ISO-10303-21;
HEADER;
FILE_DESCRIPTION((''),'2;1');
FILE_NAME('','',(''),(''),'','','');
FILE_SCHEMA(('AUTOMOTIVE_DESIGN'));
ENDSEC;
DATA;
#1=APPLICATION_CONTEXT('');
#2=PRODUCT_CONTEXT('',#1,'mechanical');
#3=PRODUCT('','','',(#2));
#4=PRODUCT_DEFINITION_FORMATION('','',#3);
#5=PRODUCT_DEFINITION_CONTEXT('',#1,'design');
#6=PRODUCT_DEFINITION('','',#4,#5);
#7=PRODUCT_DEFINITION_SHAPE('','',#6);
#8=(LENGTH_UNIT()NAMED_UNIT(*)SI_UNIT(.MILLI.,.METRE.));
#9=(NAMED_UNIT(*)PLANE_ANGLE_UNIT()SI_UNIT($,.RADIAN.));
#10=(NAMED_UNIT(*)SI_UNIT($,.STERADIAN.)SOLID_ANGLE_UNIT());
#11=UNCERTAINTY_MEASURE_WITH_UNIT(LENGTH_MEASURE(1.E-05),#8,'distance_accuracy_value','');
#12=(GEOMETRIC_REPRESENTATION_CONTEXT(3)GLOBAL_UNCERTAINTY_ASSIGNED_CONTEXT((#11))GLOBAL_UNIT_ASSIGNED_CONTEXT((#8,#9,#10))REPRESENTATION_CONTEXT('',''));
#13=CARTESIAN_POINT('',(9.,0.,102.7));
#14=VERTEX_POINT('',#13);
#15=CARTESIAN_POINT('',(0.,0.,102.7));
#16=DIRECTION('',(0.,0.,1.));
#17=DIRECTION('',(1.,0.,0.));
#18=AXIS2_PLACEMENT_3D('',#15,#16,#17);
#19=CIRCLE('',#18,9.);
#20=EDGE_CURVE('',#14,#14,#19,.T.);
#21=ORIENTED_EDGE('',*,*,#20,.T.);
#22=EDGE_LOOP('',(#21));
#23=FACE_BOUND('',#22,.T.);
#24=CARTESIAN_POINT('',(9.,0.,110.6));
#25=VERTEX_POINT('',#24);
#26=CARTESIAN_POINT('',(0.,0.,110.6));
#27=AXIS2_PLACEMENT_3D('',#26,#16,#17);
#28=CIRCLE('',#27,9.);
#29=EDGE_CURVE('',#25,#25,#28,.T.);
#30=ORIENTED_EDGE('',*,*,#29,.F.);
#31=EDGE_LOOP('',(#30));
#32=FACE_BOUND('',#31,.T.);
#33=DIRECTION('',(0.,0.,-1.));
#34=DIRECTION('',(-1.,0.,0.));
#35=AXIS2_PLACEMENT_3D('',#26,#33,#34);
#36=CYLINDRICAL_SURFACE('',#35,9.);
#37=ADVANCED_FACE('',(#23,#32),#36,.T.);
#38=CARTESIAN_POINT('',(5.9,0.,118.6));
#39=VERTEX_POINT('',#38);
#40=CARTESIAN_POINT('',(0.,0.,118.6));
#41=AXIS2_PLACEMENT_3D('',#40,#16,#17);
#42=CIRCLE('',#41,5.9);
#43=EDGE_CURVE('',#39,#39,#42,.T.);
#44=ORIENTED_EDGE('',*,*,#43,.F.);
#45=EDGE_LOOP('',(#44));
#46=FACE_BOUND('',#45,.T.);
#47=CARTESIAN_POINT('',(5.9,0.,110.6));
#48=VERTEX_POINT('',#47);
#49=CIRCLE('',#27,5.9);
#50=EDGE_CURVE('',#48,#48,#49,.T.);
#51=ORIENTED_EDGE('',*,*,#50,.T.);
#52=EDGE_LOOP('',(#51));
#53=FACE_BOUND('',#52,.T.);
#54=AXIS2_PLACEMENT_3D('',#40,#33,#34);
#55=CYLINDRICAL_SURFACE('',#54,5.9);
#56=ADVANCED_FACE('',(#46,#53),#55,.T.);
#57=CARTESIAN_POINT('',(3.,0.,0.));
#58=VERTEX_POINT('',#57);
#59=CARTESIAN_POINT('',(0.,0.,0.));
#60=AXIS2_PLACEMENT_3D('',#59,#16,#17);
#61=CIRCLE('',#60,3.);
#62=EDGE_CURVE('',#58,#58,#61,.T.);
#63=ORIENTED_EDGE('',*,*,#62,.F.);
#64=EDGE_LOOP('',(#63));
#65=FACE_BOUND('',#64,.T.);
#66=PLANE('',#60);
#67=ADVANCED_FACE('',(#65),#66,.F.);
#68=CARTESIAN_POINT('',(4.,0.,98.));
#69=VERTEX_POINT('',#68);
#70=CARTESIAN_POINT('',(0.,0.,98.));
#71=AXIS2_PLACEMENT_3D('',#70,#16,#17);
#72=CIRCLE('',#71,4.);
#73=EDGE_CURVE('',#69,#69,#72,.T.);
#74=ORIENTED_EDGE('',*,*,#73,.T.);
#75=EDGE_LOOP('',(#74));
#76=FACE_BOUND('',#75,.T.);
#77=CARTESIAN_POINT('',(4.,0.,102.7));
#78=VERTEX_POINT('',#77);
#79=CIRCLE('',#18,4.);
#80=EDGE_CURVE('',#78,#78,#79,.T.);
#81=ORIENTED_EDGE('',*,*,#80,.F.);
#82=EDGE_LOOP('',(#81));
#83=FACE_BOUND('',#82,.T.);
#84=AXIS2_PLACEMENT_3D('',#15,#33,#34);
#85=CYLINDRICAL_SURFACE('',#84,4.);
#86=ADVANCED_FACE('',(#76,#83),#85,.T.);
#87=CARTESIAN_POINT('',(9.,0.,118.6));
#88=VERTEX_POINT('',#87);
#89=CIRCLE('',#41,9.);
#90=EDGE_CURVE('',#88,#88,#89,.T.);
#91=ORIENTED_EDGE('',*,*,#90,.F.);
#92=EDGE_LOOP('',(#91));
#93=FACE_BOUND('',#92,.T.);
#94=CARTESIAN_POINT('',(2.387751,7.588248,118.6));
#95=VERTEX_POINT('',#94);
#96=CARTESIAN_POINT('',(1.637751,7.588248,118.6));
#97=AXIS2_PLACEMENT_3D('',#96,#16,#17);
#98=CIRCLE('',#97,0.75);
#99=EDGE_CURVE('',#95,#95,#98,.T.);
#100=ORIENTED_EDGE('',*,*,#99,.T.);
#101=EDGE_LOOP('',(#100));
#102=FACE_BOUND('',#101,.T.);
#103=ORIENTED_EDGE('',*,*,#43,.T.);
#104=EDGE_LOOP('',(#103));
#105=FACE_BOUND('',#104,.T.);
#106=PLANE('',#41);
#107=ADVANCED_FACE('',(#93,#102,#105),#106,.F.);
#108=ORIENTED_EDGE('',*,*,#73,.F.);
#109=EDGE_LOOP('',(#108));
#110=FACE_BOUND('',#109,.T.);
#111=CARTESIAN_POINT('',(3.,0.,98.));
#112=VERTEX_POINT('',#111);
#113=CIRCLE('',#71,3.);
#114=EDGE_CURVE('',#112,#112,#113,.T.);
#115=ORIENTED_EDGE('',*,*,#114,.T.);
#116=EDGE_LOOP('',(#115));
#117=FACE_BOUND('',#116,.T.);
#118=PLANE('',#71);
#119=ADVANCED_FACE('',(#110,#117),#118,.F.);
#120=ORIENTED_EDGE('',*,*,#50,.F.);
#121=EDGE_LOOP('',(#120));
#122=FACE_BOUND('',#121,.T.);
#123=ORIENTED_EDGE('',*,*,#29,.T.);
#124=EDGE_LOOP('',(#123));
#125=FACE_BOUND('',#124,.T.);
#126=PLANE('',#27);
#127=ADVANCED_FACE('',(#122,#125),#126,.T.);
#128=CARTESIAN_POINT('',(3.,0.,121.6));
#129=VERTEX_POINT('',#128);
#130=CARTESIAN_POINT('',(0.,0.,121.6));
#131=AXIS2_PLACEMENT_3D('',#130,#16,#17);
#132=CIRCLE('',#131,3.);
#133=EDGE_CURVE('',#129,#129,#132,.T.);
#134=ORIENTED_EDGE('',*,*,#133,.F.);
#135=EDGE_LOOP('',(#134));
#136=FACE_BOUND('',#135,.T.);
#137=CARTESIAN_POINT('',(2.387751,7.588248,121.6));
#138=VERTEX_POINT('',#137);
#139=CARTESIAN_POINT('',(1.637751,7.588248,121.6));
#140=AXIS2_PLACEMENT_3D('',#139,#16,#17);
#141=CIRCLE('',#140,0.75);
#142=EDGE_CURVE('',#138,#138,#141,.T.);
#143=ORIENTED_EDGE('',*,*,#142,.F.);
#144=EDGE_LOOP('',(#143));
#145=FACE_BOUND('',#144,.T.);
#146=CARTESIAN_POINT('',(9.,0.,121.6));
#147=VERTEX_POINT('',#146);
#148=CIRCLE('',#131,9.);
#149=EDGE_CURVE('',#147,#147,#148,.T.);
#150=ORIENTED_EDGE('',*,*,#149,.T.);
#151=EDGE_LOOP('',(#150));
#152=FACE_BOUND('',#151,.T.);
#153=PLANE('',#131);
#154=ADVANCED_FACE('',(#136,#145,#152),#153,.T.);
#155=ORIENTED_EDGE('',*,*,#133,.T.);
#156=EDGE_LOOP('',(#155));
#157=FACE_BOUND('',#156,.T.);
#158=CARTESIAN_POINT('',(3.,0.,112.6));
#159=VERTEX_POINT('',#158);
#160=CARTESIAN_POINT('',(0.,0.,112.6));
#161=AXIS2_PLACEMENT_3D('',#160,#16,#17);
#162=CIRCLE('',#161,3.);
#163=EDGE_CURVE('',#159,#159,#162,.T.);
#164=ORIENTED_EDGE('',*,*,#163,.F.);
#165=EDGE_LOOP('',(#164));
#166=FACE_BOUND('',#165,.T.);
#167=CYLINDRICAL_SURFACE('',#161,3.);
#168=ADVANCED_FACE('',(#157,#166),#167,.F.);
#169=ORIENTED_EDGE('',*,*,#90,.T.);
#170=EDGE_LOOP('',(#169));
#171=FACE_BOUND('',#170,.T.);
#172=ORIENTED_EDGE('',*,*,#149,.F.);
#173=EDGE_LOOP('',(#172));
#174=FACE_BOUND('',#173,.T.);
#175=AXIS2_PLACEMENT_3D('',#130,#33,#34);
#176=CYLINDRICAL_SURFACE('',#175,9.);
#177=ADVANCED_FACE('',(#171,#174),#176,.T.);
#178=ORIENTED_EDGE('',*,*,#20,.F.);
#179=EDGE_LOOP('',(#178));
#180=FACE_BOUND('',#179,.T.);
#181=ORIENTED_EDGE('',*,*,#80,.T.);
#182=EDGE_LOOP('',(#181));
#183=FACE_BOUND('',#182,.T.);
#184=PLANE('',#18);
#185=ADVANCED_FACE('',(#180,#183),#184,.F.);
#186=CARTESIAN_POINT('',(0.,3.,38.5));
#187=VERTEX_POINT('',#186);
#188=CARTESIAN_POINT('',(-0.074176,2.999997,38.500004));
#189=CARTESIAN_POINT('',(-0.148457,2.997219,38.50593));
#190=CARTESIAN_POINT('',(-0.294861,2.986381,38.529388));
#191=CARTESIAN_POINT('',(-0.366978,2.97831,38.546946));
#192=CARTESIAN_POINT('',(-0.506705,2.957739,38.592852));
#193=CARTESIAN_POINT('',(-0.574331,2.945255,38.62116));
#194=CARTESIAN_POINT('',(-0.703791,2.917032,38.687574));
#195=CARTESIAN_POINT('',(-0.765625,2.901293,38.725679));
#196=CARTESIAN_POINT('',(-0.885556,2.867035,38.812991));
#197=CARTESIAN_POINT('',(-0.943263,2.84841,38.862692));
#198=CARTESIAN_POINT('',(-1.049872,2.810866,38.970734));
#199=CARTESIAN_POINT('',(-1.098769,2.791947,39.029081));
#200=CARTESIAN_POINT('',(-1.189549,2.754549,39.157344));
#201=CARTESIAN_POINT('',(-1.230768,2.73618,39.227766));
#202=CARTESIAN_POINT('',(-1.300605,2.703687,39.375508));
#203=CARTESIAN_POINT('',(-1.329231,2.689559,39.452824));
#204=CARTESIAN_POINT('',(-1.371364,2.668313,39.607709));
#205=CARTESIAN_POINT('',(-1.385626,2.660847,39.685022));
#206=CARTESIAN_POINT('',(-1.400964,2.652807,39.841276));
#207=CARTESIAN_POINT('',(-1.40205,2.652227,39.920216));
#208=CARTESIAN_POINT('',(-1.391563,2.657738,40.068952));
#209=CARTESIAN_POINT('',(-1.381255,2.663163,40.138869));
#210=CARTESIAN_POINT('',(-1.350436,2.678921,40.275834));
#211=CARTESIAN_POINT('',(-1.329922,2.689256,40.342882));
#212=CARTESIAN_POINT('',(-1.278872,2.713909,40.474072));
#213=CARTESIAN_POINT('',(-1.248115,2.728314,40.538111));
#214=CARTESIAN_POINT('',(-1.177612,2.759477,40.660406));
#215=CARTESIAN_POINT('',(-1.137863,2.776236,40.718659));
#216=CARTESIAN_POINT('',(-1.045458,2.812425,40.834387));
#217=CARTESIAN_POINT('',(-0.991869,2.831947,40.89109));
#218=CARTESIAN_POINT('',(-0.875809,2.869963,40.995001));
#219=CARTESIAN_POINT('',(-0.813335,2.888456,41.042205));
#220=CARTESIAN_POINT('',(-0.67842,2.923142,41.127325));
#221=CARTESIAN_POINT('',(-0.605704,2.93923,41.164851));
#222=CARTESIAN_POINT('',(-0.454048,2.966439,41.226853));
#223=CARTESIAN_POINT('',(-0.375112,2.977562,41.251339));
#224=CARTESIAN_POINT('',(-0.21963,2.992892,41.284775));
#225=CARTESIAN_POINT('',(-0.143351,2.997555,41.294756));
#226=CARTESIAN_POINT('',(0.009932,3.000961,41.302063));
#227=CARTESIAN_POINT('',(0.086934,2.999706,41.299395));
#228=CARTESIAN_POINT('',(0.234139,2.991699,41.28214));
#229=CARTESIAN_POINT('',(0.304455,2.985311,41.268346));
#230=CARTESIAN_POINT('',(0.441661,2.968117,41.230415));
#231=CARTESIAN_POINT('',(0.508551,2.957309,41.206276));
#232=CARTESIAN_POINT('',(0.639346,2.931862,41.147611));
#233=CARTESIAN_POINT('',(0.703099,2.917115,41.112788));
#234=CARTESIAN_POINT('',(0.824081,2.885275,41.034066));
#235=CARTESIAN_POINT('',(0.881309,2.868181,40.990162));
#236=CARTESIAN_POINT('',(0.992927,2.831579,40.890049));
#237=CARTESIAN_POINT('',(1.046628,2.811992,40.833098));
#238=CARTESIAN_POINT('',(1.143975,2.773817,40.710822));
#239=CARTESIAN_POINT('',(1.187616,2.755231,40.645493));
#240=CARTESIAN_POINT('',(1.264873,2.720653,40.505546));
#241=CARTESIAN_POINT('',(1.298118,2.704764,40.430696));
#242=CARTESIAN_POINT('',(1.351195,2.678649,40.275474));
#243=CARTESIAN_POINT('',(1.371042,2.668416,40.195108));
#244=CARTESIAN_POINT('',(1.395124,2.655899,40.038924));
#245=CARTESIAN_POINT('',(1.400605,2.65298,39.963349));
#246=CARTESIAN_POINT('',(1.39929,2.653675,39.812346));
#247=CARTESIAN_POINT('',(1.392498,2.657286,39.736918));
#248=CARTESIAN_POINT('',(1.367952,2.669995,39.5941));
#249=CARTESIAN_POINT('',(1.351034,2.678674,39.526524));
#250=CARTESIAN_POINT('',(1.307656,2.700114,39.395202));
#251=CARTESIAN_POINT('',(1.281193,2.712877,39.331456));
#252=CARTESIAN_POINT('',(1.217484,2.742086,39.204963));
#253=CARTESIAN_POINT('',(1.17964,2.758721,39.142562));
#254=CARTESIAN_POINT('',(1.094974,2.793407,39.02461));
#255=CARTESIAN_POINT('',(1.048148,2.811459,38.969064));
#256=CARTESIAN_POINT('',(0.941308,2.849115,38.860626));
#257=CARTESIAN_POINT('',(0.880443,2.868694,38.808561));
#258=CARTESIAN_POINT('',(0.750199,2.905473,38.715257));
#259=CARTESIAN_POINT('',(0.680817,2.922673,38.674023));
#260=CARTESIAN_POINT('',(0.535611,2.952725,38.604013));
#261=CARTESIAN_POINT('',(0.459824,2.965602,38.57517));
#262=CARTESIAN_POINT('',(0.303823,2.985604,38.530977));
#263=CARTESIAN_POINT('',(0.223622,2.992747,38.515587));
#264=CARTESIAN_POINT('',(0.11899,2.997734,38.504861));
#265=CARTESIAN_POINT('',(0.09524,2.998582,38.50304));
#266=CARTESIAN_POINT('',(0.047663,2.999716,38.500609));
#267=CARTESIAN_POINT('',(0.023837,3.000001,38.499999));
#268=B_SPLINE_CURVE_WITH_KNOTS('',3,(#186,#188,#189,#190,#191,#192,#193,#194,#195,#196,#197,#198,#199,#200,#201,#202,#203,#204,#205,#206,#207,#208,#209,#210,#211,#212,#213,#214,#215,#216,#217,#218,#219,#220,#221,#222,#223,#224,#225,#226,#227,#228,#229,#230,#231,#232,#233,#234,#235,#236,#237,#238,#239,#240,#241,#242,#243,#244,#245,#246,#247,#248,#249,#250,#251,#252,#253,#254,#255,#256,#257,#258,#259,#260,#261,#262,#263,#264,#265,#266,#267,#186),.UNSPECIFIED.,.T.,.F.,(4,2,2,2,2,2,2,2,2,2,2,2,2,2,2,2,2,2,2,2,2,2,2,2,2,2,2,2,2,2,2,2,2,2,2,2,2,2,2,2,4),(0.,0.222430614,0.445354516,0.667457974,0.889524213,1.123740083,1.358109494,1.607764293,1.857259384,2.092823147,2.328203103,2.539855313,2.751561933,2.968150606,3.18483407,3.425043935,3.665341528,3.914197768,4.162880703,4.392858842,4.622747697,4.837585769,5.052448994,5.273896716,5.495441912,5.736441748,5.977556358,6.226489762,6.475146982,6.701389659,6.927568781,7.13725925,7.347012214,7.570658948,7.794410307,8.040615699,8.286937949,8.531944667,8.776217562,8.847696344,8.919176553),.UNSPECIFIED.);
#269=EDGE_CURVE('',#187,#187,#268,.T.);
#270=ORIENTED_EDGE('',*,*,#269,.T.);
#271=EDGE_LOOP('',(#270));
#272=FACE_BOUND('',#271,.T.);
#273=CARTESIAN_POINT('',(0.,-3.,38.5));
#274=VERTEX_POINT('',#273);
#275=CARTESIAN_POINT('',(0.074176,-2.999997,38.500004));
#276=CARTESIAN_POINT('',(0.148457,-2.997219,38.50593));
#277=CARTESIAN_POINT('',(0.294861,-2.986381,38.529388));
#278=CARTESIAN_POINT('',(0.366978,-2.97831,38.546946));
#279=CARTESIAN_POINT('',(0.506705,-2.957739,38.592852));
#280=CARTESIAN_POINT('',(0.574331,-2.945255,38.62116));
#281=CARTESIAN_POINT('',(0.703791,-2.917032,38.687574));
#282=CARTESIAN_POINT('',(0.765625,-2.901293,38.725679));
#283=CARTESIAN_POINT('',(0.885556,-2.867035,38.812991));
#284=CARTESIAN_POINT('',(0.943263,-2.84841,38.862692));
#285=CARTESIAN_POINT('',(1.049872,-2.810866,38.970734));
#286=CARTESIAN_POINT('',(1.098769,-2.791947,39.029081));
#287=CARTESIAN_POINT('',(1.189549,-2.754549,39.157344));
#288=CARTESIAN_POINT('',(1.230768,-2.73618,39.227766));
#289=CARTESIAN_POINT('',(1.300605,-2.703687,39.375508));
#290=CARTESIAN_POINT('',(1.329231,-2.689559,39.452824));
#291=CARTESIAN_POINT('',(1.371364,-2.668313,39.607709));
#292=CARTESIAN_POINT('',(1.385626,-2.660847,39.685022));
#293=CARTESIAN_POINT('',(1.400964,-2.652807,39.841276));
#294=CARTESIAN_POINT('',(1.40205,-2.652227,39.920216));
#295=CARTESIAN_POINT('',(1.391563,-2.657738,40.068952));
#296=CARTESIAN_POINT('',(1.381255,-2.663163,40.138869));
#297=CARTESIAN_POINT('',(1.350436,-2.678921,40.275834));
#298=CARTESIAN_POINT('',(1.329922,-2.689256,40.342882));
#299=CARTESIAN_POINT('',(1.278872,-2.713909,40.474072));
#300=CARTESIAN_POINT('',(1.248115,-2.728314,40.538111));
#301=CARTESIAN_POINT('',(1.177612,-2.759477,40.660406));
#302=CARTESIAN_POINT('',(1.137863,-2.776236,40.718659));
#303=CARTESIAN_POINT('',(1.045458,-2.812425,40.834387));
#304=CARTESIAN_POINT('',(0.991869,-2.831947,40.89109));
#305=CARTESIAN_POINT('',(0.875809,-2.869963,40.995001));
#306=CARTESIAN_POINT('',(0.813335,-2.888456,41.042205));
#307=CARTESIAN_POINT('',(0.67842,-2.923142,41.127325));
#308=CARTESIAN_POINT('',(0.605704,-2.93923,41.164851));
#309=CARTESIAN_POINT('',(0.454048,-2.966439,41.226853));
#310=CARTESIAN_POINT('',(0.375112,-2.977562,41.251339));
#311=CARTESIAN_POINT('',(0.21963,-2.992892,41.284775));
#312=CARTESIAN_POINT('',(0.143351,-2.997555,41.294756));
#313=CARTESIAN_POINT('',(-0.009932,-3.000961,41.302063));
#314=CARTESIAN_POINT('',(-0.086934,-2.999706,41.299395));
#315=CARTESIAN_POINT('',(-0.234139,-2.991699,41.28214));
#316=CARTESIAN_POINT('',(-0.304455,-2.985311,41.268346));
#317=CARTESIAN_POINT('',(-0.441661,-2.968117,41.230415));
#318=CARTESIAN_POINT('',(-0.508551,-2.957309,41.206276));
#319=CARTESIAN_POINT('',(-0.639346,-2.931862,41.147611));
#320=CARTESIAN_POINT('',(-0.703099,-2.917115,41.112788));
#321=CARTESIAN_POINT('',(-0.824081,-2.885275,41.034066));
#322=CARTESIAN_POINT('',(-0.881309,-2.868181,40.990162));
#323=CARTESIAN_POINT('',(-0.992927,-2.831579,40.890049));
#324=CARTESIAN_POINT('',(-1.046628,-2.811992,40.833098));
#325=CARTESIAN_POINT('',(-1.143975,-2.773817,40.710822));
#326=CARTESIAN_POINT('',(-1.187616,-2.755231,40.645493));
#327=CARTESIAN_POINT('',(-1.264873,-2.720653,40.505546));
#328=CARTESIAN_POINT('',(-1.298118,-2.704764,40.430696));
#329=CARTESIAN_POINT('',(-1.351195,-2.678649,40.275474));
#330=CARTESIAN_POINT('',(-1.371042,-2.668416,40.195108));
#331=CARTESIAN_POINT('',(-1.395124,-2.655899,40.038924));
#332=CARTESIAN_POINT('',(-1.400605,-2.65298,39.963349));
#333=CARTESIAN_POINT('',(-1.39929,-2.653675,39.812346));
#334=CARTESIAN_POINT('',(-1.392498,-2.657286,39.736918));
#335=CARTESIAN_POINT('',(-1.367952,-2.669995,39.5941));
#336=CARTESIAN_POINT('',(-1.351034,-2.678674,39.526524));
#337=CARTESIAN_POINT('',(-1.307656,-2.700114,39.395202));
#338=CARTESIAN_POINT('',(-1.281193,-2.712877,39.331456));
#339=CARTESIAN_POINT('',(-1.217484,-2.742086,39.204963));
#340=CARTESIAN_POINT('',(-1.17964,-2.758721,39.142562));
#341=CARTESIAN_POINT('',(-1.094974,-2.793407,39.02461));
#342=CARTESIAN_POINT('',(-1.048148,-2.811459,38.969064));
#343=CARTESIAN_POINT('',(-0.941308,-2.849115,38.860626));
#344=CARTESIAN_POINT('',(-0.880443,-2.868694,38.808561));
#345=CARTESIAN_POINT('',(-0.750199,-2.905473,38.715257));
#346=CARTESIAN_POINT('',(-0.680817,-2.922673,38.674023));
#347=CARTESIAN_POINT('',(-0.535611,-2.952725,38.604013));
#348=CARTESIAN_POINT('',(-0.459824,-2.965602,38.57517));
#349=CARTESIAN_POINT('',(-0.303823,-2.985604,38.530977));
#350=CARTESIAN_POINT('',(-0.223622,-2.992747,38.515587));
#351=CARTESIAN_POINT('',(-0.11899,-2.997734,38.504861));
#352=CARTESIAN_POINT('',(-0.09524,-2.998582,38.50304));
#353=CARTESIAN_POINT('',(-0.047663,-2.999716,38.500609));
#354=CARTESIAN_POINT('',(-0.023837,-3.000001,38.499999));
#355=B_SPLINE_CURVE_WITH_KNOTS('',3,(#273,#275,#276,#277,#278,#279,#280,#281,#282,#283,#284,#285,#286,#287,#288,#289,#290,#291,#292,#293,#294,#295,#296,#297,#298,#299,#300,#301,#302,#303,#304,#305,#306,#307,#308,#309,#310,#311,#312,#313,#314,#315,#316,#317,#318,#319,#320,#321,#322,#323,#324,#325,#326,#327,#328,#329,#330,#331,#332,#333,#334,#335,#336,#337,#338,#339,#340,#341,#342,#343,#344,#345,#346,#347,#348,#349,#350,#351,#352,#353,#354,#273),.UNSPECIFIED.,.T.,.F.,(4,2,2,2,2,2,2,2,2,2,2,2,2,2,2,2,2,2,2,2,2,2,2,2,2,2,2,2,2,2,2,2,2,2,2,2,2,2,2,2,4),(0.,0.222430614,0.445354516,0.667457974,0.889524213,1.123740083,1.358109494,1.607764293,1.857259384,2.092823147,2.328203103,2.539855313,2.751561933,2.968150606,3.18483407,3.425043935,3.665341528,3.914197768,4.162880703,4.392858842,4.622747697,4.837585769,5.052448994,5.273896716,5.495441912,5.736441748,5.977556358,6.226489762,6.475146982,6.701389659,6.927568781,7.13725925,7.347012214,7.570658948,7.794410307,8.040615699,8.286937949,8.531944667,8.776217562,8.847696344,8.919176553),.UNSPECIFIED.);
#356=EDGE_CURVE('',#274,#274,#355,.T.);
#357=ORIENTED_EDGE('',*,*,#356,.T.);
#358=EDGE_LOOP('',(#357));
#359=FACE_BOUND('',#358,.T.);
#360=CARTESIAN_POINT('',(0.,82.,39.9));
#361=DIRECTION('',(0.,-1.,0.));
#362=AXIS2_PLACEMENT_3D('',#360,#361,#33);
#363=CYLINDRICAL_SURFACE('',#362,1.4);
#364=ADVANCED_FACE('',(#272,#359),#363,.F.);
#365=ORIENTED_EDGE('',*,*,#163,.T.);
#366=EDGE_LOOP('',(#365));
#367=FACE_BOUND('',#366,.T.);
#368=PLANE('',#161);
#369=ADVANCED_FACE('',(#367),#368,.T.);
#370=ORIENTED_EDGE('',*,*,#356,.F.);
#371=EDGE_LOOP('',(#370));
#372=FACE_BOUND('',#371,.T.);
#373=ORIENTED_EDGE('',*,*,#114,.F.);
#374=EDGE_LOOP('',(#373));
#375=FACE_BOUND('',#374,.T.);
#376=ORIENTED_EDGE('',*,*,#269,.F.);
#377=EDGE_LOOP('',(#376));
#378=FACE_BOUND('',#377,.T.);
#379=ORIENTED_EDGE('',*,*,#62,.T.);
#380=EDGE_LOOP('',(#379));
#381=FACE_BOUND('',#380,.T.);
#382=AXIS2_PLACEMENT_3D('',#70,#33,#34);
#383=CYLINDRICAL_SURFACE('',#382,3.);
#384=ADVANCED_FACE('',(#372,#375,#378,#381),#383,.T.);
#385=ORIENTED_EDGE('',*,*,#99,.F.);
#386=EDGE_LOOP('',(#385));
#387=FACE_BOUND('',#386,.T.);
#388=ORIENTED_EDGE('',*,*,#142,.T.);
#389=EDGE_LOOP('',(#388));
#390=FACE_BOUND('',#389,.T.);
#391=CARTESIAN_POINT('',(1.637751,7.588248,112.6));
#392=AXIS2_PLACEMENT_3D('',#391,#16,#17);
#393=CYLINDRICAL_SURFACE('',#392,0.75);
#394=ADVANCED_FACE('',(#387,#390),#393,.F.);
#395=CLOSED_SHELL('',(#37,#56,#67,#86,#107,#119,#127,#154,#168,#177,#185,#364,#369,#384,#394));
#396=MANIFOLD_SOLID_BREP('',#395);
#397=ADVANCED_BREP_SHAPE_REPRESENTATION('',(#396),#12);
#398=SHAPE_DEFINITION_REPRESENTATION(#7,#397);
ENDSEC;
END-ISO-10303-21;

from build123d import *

# Parameters (mm, degrees)
SKETCH1_R               = 3
BOSS_EXTRUDE1_DEPTH     = 98
SKETCH2_R               = 4
BOSS_EXTRUDE2_DEPTH     = 4.7
SKETCH3_R               = 9
BOSS_EXTRUDE3_DEPTH     = 7.9
SKETCH4_R               = 5.9
BOSS_EXTRUDE4_DEPTH     = 8
SKETCH5_R               = 9
BOSS_EXTRUDE5_DEPTH     = 3
CUT_EXTRUDE1_DEPTH      = 82
CUT_EXTRUDE1_DEPTH_BACK = 82
SKETCH6_R               = 1.4
CUT_EXTRUDE2_START      = -9
SKETCH7_R               = 3
SKETCH7_R_2             = 0.75
CUT_EXTRUDE2_DEPTH      = 9


with BuildPart() as part:
    # Sketch1 → Boss-Extrude1 (new body)
    with BuildSketch(Plane.XY):
        Circle(SKETCH1_R)
    extrude(amount=BOSS_EXTRUDE1_DEPTH)

    # Sketch2 → Boss-Extrude2 (add)
    with BuildSketch(Plane.XY.offset(98)):
        Circle(SKETCH2_R)
    extrude(amount=BOSS_EXTRUDE2_DEPTH)

    # Sketch3 → Boss-Extrude3 (add)
    with BuildSketch(Plane.XY.offset(102.7)):
        Circle(SKETCH3_R)
    extrude(amount=BOSS_EXTRUDE3_DEPTH)

    # Sketch4 → Boss-Extrude4 (add)
    with BuildSketch(Plane.XY.offset(110.6)):
        Circle(SKETCH4_R)
    extrude(amount=BOSS_EXTRUDE4_DEPTH)

    # Sketch5 → Boss-Extrude5 (add)
    with BuildSketch(Plane.XY.offset(118.6)):
        Circle(SKETCH5_R)
    extrude(amount=BOSS_EXTRUDE5_DEPTH)

    # Sketch6 → Cut-Extrude1 (cut, two sides: drawn at the far end of the back side and taken through both)
    with BuildSketch(Plane(origin=(0, 0, 0), x_dir=(1, 0, 0), z_dir=(0, 1, 0)).offset(-CUT_EXTRUDE1_DEPTH_BACK)):
        with Locations((0, -39.9)):
            Circle(SKETCH6_R)
    extrude(amount=CUT_EXTRUDE1_DEPTH + CUT_EXTRUDE1_DEPTH_BACK, mode=Mode.SUBTRACT)

    # Sketch7 → Cut-Extrude2 (cut)
    with BuildSketch(Plane.XY.offset(121.6).offset(CUT_EXTRUDE2_START)):
        Circle(SKETCH7_R)
        with Locations((1.637751338, 7.588247864)):
            Circle(SKETCH7_R_2)
    extrude(amount=CUT_EXTRUDE2_DEPTH, mode=Mode.SUBTRACT)


solid = part.part
